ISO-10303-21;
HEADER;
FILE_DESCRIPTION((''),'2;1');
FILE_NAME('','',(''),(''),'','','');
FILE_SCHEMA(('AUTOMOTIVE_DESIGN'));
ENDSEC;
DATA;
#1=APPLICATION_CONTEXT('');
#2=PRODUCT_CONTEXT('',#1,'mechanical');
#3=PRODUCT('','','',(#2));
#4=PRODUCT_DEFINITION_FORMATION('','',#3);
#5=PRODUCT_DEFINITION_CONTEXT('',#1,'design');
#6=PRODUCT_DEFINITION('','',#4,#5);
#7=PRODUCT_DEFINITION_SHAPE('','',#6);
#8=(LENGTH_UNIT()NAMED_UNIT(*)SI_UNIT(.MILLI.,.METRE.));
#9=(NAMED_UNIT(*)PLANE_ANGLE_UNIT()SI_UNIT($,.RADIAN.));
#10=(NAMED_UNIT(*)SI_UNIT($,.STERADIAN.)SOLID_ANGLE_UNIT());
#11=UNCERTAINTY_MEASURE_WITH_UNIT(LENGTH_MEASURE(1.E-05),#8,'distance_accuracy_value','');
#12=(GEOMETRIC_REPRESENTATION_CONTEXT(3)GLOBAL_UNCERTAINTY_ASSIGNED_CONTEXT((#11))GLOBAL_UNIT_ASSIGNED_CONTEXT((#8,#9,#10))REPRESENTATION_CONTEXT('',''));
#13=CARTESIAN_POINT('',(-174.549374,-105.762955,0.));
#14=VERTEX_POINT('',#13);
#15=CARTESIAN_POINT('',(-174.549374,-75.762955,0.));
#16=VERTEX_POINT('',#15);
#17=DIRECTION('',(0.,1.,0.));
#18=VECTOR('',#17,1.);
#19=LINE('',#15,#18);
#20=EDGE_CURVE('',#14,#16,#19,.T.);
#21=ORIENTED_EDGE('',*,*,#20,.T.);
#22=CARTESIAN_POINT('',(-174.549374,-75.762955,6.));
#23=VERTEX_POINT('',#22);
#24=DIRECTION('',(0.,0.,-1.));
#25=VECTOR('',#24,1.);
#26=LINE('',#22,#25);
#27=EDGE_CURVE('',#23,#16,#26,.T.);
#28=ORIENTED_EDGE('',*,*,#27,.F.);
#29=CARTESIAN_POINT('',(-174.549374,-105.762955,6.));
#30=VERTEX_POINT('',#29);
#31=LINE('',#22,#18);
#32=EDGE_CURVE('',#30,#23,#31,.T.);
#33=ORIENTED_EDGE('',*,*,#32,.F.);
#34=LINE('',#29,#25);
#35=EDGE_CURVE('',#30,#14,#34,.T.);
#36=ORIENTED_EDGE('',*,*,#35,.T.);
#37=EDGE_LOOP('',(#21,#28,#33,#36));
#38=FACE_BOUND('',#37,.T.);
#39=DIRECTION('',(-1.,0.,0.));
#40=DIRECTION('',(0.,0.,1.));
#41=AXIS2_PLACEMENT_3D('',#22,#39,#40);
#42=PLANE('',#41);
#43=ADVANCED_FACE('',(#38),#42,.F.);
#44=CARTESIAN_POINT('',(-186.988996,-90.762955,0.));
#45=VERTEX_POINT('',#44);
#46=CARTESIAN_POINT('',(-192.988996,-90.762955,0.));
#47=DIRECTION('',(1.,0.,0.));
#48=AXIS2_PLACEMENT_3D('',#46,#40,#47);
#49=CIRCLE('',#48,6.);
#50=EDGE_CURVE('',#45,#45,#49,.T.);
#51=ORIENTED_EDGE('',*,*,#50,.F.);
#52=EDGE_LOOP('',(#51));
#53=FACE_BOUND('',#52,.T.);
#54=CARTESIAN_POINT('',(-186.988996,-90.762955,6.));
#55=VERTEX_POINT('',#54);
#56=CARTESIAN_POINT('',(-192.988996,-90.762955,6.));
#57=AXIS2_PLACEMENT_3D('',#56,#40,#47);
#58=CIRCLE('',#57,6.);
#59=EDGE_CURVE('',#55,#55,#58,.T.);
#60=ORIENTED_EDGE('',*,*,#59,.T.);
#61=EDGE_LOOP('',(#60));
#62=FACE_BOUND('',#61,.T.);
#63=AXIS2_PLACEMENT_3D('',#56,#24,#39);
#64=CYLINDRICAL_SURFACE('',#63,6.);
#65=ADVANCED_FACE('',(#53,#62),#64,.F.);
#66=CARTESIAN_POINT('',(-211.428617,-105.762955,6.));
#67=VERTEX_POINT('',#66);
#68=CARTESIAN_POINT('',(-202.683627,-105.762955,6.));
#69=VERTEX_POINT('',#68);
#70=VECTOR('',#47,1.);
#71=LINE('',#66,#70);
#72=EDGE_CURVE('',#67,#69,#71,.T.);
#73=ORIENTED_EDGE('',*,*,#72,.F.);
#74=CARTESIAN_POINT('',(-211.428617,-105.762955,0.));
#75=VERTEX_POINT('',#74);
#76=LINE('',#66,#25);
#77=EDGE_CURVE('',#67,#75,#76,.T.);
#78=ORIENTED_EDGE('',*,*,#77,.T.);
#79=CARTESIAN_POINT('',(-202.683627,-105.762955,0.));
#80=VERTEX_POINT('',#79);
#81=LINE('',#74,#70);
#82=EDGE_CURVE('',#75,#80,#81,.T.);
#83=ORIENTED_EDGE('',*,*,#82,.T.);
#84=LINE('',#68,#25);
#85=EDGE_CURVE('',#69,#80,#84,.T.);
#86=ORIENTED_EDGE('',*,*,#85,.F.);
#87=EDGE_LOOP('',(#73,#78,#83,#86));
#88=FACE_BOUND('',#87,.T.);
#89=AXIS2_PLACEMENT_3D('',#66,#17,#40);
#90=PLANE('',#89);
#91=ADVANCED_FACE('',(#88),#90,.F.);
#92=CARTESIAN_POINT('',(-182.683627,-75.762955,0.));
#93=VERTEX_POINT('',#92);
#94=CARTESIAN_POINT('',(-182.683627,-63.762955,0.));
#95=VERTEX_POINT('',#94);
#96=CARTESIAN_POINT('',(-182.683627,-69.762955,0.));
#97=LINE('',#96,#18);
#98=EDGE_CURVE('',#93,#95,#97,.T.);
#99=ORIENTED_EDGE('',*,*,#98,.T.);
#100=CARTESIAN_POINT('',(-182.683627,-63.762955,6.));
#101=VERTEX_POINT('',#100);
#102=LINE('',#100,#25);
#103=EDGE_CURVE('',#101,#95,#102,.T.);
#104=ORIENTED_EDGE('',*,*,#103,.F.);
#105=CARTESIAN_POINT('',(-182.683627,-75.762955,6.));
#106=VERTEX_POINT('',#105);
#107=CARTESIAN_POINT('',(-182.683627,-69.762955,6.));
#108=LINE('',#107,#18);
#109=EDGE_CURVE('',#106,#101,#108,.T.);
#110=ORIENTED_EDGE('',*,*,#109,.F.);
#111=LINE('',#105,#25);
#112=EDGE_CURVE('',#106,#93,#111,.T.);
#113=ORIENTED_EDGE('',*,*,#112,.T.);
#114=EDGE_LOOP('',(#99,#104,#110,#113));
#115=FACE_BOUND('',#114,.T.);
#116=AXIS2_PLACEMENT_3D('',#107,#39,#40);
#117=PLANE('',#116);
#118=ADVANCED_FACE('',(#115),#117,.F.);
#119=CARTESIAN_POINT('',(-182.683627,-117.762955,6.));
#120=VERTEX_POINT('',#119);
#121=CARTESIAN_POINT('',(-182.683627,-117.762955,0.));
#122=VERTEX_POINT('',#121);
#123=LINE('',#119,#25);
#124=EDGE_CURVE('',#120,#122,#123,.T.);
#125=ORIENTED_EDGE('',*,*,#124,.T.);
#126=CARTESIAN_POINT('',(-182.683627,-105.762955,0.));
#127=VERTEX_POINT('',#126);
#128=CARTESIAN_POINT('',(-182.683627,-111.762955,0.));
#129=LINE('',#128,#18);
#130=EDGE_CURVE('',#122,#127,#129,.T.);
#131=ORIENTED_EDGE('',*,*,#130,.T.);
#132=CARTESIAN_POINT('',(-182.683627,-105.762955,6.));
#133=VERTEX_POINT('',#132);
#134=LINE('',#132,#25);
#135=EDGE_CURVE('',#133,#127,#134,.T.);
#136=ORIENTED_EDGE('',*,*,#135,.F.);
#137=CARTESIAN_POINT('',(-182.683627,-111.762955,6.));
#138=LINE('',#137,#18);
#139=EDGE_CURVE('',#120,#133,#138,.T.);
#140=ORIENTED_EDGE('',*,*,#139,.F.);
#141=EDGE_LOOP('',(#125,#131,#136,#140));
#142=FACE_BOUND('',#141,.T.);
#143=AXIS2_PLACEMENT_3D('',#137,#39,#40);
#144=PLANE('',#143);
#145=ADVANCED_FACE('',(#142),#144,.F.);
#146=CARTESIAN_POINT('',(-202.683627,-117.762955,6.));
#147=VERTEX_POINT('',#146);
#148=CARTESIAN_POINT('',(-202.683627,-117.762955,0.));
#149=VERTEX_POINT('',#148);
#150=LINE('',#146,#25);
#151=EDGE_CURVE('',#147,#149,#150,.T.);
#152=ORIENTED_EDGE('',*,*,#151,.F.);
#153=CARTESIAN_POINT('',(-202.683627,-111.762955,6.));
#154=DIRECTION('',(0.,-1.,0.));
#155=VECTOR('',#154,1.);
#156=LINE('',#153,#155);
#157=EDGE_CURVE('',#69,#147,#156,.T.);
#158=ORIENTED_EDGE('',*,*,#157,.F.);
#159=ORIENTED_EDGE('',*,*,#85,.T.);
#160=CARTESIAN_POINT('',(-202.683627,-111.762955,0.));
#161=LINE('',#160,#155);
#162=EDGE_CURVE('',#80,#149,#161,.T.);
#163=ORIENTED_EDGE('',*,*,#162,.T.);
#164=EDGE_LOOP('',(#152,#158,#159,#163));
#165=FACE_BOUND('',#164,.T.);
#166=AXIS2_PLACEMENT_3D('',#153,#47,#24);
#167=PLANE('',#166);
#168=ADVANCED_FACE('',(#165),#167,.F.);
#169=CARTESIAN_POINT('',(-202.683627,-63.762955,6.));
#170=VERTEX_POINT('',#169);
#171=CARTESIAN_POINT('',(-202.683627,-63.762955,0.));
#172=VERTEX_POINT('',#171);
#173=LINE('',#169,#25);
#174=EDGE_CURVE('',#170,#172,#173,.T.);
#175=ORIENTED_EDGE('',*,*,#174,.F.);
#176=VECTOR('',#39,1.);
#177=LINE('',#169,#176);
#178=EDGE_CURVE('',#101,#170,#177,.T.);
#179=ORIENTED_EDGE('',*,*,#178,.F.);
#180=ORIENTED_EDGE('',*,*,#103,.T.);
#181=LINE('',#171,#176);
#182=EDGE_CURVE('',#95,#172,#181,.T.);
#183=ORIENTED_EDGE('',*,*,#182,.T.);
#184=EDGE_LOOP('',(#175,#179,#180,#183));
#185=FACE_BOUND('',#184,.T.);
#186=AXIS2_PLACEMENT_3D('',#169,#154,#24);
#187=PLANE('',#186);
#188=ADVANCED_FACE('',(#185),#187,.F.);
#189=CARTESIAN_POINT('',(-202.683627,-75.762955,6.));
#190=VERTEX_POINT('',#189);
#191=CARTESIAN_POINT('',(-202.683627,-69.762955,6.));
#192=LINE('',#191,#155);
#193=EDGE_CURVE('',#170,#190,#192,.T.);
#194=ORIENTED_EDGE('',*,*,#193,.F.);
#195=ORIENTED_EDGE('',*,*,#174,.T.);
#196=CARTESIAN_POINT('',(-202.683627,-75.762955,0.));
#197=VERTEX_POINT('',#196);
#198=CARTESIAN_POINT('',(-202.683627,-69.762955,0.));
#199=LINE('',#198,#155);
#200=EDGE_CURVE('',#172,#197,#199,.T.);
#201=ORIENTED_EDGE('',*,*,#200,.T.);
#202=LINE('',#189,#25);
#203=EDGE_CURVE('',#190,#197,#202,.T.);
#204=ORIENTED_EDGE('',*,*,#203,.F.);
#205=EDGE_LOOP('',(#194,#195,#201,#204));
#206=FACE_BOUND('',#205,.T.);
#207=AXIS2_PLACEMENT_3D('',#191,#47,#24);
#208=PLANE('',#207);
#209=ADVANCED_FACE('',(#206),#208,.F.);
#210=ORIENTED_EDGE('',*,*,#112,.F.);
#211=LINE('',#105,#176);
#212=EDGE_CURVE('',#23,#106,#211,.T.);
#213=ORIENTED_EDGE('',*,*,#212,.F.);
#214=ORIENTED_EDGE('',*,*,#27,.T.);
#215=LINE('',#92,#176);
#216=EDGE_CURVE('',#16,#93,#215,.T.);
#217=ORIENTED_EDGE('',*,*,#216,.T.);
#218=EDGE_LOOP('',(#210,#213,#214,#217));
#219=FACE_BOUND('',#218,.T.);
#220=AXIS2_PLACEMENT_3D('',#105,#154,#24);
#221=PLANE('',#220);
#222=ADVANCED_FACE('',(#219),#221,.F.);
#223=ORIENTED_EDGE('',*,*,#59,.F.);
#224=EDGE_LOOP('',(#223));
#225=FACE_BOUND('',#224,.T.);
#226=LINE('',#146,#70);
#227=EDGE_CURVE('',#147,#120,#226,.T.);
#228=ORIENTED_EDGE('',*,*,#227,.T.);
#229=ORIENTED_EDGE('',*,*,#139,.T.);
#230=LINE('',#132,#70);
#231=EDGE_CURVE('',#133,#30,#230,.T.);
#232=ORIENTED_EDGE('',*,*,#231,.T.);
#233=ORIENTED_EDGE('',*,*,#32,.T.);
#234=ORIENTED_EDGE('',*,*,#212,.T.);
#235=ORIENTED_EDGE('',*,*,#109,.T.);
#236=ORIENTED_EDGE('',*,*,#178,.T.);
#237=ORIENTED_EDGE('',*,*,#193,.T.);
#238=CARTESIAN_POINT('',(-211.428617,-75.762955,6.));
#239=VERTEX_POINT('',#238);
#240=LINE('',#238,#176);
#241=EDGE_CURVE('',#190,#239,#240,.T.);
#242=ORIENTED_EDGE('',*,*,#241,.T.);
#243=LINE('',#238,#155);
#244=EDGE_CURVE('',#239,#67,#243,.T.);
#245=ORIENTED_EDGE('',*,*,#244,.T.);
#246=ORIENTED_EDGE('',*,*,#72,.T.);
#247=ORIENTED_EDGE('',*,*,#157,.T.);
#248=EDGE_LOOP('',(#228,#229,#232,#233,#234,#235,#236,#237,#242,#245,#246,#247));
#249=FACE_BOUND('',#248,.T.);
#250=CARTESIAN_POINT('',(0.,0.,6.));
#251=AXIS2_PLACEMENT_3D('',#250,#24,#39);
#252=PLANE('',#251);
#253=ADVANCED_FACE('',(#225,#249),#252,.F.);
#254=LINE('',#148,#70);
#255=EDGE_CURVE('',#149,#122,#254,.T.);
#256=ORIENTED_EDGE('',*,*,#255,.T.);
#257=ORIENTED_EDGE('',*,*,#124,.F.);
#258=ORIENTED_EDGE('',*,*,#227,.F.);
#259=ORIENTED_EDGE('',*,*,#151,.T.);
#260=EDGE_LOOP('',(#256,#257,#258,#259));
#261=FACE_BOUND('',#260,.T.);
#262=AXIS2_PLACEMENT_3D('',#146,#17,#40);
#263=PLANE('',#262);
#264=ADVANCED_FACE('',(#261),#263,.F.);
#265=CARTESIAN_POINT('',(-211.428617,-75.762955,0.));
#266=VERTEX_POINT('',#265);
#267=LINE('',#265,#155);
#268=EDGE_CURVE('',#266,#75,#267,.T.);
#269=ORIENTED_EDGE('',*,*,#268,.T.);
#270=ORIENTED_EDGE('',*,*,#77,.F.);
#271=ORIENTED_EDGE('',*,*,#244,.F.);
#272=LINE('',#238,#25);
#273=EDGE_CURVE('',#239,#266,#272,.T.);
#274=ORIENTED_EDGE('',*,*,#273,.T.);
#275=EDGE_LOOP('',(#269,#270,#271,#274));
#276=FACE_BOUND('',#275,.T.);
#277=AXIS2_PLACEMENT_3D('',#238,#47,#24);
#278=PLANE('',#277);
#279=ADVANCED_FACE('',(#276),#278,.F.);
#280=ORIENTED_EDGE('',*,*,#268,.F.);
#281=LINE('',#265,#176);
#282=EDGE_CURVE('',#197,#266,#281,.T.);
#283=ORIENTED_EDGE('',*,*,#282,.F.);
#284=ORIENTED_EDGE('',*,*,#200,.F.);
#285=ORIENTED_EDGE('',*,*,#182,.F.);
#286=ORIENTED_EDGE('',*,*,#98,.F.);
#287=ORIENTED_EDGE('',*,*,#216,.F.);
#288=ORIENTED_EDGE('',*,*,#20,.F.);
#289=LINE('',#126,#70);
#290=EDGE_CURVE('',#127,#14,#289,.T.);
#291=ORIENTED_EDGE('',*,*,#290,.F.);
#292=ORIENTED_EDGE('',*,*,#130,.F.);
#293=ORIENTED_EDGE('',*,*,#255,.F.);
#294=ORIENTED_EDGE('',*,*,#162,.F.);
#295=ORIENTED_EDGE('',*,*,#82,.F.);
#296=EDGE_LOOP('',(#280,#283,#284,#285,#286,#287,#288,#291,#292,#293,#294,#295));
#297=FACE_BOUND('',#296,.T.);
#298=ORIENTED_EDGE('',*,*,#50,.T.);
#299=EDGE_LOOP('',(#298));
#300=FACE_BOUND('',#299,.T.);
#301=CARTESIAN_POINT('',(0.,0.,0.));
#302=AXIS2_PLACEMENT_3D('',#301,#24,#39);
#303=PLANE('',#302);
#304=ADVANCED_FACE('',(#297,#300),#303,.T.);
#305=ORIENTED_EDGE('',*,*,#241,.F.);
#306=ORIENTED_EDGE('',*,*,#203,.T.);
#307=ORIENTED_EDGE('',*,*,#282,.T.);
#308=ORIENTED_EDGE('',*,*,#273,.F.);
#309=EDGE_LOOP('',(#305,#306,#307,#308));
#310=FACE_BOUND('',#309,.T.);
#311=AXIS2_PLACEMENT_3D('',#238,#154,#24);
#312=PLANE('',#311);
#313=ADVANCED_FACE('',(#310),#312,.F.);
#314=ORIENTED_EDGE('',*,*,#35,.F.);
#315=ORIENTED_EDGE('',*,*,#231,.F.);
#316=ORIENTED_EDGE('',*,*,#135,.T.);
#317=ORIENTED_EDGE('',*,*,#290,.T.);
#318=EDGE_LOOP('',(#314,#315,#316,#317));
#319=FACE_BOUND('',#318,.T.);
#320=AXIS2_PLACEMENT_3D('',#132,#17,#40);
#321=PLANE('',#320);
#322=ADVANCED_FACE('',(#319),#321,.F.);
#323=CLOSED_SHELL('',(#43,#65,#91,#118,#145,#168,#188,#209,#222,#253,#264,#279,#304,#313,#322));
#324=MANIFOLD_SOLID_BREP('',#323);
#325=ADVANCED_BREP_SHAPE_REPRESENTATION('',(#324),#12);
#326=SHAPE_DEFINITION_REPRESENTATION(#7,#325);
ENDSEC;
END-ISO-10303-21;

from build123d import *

# Parameters (mm, degrees)
SKETCH1_R           = 6
BOSS_EXTRUDE1_DEPTH = 6


with BuildPart() as part:
    # Sketch1 → Boss-Extrude1 (new body)
    with BuildSketch(Plane.XY):
        Polygon((-211.428617248, -75.762954902), (-211.428617248, -105.762954902), (-202.683627049, -105.762954902), (-202.683627049, -111.762954902), (-202.683627049, -117.762954902), (-182.683627049, -117.762954902), (-182.683627049, -111.762954902), (-182.683627049, -105.762954902), (-174.549373808, -105.762954902), (-174.549373808, -75.762954902), (-182.683627049, -75.762954902), (-182.683627049, -69.762954902), (-182.683627049, -63.762954902), (-202.683627049, -63.762954902), (-202.683627049, -69.762954902), (-202.683627049, -75.762954902), align=None)
        with Locations((-192.988995528, -90.762954902)):
            Circle(SKETCH1_R, mode=Mode.SUBTRACT)
    extrude(amount=BOSS_EXTRUDE1_DEPTH)


solid = part.part
